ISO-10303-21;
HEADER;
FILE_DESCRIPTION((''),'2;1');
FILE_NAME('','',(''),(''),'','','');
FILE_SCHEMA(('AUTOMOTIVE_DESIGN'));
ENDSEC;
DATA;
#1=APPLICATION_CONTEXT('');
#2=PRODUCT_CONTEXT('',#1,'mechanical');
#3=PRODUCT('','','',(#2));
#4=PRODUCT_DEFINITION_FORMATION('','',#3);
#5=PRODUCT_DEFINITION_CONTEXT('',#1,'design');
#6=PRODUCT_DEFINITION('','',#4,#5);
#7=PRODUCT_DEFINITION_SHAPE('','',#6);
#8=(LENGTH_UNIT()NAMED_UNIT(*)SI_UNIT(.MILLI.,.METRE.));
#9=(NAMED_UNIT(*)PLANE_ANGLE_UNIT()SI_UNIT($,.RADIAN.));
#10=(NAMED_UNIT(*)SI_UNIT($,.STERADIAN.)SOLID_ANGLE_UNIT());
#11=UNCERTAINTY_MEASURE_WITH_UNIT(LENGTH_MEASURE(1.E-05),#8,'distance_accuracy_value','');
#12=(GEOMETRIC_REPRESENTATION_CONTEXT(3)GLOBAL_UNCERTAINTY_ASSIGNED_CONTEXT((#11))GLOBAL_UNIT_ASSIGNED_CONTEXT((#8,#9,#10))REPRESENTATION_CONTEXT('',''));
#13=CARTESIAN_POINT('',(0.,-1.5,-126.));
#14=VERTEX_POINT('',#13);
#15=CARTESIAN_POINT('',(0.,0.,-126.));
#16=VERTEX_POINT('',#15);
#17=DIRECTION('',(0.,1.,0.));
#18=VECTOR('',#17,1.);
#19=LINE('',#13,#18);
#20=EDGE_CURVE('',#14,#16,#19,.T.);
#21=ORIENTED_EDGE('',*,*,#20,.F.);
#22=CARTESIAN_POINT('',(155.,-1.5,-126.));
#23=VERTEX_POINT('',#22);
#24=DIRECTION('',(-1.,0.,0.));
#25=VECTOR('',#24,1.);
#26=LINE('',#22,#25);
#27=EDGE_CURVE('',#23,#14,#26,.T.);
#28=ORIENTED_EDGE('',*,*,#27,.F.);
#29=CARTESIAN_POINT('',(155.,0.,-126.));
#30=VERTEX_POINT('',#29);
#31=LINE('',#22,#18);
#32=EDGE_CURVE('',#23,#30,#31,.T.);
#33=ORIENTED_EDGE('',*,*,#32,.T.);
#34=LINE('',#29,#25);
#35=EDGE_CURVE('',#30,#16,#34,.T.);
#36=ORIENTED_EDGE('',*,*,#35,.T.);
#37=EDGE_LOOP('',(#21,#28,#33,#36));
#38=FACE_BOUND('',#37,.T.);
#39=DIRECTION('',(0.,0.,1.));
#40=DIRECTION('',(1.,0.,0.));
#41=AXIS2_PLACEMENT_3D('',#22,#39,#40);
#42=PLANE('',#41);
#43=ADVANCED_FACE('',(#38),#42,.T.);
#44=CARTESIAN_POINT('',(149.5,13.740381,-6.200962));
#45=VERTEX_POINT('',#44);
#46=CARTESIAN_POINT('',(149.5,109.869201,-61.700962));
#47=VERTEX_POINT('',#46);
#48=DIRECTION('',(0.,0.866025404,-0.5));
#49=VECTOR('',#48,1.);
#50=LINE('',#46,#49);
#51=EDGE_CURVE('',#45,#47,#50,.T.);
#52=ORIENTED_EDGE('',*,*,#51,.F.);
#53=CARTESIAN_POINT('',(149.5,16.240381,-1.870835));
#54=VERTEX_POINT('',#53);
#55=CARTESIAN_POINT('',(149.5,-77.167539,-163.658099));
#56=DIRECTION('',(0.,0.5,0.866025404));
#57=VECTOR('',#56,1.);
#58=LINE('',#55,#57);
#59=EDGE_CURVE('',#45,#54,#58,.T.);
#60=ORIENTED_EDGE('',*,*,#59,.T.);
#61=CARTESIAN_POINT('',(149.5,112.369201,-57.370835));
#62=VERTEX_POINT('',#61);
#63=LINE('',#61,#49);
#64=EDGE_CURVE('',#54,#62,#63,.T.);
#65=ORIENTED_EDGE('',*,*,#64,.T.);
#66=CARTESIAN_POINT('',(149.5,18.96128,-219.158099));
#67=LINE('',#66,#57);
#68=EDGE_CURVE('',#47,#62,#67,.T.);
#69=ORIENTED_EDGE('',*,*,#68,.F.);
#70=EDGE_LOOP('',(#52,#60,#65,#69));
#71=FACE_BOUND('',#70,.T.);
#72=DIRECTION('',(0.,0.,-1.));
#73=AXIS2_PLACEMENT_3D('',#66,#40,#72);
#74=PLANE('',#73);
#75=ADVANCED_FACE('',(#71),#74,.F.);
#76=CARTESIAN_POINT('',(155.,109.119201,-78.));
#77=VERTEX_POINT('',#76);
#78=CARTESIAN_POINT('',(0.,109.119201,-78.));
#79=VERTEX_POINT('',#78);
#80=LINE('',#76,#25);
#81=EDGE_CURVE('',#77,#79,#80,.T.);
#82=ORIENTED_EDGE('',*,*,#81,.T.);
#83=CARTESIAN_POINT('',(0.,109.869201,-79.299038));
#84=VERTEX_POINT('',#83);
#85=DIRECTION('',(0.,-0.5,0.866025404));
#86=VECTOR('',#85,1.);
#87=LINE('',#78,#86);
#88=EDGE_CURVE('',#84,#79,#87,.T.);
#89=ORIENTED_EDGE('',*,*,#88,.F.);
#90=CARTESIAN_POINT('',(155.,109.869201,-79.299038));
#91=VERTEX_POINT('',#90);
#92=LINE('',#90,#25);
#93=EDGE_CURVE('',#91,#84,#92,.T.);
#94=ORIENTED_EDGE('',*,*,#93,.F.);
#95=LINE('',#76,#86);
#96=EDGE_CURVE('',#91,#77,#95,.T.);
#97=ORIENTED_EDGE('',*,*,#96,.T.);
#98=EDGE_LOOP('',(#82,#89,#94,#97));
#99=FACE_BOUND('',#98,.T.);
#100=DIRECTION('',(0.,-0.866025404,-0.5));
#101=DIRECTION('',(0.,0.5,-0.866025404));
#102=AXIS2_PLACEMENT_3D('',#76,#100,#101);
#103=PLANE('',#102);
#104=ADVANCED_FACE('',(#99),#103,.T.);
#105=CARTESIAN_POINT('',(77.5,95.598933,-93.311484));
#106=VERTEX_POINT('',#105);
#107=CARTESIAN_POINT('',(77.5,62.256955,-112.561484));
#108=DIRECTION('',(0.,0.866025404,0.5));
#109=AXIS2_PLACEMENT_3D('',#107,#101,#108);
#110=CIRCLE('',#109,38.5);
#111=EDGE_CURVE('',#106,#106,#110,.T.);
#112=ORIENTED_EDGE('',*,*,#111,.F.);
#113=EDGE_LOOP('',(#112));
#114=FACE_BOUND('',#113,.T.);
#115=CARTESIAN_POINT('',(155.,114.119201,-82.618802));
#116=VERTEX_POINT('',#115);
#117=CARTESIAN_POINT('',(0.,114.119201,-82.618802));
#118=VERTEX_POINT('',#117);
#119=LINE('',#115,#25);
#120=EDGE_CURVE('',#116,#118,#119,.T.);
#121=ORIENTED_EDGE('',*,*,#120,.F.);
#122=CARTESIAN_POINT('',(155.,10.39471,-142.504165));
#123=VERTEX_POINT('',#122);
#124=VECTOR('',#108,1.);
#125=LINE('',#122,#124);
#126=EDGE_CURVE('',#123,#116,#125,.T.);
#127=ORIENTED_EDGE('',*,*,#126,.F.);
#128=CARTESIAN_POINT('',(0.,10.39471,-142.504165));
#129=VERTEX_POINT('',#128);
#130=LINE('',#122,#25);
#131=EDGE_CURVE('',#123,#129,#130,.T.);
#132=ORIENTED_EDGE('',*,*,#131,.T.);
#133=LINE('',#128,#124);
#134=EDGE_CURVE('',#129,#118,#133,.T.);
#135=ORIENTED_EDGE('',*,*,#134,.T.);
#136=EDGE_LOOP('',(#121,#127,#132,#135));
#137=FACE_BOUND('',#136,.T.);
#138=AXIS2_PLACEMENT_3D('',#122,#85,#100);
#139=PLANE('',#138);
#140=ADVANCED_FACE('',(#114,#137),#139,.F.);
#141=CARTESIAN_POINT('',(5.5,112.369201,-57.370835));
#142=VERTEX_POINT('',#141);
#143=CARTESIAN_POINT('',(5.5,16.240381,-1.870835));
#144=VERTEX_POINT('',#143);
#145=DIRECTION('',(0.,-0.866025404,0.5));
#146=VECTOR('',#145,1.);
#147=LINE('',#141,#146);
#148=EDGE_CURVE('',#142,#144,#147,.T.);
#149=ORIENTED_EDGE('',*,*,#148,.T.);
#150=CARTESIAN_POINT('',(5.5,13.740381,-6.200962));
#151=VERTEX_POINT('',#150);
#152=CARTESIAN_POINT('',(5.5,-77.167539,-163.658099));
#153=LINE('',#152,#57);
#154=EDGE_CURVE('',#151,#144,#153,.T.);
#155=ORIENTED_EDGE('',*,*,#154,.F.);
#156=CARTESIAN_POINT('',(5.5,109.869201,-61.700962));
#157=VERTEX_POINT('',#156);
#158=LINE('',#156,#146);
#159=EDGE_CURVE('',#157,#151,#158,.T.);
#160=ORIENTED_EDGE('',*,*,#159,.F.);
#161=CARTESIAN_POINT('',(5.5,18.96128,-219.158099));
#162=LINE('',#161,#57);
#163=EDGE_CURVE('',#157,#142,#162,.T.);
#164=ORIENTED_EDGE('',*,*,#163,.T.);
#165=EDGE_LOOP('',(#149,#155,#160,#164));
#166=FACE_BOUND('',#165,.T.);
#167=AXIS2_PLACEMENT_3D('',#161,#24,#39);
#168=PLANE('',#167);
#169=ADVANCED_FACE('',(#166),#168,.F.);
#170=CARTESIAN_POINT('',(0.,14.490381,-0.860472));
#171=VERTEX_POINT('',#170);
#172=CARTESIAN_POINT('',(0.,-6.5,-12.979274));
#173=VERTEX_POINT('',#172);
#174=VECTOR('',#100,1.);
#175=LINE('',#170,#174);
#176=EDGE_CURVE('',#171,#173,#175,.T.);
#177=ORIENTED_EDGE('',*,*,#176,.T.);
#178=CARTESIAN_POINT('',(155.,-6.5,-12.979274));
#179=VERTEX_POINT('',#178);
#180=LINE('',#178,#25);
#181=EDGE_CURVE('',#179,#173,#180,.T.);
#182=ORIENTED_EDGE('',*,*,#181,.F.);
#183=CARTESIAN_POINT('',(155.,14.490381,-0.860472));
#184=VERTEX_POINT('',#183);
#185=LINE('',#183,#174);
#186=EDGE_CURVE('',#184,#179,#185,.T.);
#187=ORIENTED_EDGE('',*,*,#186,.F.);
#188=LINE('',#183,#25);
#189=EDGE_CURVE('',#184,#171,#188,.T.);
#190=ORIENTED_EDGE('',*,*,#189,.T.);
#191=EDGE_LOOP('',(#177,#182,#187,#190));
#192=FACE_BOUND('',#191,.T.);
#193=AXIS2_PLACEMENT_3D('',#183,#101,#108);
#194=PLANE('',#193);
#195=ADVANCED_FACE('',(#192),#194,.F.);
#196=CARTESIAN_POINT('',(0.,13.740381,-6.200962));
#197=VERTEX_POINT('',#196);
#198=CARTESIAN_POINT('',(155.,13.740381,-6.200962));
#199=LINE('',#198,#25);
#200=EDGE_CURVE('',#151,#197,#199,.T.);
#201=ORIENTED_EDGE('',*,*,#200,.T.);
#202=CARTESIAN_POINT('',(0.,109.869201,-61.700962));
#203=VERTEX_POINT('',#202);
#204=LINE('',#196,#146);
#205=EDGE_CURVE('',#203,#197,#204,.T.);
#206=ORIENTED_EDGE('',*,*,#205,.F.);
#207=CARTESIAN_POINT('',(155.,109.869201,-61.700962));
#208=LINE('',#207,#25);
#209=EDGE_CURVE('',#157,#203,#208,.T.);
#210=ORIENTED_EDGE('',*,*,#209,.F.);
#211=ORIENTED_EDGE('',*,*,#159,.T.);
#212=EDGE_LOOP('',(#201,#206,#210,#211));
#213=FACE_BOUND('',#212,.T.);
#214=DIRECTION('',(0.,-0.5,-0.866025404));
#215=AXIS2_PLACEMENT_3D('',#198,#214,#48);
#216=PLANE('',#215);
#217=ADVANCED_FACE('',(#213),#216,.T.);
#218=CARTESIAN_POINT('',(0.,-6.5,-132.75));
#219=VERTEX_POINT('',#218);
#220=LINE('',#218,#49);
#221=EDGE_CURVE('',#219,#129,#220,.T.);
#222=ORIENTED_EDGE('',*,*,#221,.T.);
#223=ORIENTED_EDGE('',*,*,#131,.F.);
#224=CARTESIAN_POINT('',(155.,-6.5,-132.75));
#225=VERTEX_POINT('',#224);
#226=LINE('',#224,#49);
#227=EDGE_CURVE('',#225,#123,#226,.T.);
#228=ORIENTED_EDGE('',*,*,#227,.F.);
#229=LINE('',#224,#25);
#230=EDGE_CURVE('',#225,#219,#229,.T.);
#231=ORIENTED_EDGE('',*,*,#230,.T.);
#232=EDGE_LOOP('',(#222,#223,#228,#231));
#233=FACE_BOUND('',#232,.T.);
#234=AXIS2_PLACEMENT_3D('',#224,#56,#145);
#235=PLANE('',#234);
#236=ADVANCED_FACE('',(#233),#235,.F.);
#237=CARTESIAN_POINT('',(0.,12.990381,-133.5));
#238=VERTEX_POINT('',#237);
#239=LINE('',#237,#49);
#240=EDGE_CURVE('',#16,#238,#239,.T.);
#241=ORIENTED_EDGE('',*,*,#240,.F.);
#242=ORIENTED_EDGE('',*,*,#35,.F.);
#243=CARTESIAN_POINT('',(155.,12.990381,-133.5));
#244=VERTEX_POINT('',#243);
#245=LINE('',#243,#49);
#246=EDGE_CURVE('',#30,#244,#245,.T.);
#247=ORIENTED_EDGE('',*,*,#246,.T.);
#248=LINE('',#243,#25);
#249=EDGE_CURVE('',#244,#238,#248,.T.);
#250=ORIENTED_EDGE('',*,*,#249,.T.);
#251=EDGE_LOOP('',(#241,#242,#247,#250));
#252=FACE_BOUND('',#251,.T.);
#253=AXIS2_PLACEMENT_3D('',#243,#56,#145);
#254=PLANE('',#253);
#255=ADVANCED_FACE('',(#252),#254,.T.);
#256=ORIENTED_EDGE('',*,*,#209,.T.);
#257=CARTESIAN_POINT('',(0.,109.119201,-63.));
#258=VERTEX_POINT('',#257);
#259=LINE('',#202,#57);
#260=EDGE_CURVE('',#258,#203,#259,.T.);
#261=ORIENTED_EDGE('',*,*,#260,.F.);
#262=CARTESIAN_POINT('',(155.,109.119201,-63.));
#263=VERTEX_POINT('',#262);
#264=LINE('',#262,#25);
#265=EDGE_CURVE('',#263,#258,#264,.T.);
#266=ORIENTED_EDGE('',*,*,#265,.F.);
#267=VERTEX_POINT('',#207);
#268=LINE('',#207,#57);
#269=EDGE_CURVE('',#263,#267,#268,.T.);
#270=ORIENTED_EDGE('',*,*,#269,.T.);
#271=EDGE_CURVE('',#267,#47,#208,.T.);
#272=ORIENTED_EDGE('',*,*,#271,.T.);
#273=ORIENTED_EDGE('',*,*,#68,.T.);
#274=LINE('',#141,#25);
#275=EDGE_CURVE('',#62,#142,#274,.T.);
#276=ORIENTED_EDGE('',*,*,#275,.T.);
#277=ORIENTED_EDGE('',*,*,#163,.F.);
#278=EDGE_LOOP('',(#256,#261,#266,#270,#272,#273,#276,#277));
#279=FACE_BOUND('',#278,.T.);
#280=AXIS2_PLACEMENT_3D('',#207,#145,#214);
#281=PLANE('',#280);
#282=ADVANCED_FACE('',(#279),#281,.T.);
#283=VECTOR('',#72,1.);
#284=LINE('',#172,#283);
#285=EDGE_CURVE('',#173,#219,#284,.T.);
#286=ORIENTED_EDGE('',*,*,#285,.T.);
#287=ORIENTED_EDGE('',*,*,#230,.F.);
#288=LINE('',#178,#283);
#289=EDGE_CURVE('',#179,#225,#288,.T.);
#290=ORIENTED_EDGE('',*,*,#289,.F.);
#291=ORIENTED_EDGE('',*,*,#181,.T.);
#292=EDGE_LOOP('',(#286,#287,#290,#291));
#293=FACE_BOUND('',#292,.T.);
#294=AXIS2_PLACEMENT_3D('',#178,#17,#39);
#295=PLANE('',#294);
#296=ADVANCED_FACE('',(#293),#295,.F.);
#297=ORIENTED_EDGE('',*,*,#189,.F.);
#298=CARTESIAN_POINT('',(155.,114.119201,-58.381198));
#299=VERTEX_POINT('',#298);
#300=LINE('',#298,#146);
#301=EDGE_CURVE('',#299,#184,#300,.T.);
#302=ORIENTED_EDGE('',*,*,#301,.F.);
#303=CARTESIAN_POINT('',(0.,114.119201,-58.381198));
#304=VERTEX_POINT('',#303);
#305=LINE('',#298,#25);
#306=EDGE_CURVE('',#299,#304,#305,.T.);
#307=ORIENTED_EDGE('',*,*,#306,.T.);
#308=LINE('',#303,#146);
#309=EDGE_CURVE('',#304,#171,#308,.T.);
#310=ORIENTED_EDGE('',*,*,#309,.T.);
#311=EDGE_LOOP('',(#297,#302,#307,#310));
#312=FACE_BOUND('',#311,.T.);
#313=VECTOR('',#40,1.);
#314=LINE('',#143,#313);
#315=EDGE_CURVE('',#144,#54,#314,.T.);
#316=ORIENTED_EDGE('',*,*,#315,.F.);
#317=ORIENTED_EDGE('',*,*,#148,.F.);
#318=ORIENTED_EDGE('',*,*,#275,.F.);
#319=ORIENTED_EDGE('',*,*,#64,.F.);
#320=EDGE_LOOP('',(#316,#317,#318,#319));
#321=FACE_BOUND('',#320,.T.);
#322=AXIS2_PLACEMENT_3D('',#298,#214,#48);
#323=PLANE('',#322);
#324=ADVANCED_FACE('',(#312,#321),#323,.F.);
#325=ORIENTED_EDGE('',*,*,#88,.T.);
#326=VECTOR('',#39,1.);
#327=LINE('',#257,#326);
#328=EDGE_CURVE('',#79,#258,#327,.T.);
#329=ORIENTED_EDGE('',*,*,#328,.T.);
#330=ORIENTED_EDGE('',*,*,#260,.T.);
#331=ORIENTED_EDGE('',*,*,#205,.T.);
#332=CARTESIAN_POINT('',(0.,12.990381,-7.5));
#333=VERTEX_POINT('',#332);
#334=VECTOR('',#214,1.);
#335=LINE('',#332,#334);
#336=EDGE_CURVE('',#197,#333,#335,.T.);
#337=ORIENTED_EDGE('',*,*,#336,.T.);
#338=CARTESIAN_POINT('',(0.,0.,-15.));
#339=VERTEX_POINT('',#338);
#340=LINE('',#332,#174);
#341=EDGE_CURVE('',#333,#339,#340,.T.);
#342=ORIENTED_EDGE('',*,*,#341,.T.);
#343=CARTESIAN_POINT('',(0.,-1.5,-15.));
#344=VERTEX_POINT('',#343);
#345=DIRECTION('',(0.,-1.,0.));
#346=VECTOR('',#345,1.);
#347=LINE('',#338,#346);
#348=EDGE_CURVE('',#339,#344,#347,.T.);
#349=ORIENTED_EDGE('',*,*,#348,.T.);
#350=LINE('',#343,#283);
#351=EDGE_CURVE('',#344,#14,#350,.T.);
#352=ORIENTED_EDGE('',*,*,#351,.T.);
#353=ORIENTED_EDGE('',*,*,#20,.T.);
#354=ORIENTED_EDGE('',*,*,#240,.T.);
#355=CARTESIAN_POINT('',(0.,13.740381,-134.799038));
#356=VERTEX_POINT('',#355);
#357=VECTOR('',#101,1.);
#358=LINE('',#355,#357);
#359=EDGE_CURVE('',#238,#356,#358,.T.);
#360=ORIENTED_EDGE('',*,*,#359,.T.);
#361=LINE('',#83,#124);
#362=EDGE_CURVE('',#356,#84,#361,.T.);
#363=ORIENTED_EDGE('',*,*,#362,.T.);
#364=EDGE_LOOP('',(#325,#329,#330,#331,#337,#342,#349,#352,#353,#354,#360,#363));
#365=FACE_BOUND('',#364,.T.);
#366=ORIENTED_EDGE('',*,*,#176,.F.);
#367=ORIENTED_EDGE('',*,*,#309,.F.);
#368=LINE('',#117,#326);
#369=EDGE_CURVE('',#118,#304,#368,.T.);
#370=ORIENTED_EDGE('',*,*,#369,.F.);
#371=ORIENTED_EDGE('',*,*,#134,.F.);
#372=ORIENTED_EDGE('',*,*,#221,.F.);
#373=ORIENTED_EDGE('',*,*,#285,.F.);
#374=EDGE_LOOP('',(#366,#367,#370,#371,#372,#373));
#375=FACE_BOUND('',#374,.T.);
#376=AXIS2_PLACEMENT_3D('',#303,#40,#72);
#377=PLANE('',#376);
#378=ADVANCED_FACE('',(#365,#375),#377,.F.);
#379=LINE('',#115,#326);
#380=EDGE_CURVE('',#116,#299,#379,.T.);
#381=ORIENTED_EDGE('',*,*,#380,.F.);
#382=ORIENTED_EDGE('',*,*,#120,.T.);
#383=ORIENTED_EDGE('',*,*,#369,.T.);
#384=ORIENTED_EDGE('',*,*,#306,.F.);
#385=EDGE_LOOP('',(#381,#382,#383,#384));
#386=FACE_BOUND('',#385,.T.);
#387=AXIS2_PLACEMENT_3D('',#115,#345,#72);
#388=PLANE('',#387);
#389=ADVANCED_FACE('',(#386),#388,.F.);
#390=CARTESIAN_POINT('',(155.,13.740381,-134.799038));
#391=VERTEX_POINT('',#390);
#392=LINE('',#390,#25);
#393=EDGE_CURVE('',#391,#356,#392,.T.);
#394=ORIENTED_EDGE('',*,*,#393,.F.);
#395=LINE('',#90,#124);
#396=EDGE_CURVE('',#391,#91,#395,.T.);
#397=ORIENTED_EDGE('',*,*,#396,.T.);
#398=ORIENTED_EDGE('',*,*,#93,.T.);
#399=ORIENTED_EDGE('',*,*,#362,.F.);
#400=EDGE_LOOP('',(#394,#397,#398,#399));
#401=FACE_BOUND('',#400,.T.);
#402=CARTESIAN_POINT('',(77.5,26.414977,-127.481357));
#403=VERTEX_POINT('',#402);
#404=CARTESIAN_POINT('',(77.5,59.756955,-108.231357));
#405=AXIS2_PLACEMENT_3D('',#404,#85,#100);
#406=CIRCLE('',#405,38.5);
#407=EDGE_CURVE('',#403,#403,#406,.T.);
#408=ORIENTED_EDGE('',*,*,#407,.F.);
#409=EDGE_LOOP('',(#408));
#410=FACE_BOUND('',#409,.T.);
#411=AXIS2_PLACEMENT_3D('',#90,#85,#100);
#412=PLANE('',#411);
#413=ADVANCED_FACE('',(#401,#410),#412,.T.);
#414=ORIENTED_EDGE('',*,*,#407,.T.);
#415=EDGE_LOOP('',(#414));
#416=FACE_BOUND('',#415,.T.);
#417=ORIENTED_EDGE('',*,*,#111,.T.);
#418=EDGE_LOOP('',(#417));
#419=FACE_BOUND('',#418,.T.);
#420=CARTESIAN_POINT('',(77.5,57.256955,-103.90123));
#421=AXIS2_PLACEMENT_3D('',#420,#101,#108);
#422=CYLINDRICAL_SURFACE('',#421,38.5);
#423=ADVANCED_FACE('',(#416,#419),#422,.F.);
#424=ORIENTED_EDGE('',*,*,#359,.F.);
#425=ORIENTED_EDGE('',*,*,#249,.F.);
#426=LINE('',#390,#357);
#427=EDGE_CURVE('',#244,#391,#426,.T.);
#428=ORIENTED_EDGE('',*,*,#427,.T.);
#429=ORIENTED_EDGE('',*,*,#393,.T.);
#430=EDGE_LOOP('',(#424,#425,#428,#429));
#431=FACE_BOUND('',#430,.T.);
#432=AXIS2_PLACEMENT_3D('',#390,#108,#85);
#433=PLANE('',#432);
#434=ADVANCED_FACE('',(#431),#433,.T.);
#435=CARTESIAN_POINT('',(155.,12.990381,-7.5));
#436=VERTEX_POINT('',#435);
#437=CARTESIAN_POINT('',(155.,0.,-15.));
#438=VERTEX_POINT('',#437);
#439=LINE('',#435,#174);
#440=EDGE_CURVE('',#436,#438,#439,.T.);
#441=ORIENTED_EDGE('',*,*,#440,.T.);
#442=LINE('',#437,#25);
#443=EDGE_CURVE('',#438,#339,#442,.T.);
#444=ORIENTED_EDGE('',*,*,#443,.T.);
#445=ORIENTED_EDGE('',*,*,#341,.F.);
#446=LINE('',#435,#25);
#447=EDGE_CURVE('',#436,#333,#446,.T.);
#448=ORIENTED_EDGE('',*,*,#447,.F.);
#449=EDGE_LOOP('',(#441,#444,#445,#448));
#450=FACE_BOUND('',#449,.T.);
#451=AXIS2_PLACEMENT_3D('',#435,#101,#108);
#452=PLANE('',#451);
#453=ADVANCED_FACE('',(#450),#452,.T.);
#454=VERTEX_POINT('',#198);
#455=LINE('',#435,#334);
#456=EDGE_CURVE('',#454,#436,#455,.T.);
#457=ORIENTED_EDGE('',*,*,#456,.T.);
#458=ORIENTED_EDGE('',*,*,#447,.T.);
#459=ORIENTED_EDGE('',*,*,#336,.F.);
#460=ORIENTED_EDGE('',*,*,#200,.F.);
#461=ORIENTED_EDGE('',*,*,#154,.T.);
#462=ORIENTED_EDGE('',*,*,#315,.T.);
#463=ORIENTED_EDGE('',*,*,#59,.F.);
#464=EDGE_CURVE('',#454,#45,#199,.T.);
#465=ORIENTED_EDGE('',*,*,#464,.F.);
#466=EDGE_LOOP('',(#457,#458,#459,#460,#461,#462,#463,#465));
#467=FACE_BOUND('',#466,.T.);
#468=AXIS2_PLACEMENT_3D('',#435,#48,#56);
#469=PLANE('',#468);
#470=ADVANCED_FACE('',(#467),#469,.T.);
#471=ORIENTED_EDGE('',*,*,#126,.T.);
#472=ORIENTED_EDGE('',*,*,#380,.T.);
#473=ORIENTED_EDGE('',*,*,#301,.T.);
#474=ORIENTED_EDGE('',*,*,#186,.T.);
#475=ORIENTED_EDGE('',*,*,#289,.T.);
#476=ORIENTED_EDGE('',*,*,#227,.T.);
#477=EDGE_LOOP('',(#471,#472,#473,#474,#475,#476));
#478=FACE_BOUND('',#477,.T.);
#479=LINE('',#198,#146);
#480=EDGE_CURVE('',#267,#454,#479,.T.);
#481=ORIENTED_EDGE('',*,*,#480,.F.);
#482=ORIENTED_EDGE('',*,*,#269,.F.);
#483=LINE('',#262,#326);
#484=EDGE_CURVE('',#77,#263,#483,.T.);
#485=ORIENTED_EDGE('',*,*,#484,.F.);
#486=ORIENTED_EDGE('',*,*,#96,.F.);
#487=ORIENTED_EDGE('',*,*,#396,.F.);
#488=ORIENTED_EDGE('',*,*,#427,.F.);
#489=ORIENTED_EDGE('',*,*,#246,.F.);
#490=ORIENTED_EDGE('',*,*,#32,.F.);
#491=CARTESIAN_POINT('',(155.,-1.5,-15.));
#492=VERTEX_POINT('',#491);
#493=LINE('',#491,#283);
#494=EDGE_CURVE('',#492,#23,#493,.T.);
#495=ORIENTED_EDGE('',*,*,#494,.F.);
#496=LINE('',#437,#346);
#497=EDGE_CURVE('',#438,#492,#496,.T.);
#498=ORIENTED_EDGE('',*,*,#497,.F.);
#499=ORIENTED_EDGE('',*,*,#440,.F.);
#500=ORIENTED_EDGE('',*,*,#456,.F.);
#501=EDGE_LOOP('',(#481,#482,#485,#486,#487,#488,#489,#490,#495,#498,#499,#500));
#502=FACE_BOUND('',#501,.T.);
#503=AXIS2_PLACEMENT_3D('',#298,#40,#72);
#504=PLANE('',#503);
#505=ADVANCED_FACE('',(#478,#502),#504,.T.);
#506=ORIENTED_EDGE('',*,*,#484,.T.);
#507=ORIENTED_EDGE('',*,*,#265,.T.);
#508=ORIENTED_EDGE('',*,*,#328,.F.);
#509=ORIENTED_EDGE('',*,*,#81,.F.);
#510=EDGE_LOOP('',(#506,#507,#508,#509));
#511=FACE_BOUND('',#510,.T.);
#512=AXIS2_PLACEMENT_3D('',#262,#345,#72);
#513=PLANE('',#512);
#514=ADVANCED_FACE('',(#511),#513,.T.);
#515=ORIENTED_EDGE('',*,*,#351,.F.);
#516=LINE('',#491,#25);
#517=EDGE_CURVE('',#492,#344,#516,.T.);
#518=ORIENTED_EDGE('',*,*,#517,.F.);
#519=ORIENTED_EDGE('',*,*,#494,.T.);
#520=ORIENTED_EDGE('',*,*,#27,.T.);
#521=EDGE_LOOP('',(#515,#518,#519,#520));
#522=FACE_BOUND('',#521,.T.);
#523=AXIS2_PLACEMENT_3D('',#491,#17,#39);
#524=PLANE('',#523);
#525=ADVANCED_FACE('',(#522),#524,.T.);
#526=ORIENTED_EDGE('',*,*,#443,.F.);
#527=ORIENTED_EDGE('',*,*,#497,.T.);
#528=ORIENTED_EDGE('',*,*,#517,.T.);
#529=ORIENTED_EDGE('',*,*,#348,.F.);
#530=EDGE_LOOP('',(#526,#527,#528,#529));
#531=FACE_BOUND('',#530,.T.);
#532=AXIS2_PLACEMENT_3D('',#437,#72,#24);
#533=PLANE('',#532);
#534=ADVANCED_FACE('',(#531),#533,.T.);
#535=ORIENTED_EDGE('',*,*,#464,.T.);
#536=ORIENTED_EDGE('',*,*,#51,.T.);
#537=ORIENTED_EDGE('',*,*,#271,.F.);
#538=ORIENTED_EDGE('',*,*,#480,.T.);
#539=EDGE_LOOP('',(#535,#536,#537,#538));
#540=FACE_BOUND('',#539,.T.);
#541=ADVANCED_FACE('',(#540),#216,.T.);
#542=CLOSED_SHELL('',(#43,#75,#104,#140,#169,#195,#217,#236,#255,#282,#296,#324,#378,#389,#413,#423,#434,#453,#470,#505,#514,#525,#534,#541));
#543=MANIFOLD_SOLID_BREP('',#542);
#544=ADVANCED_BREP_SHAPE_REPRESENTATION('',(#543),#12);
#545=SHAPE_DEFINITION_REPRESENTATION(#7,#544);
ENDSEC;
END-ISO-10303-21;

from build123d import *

# Parameters (mm, degrees)
BOSS_EXTRUDE1_DEPTH = 155
SKETCH4_W           = 144
SKETCH4_H           = 111
CUT_EXTRUDE1_DEPTH  = 5
SKETCH5_R           = 38.5
CUT_EXTRUDE2_DEPTH  = 10


with BuildPart() as part:
    # Sketch3 → Boss-Extrude1 (new body)
    with BuildSketch(Plane(origin=(0, 0, 0), x_dir=(0, 0, -1), z_dir=(1, 0, 0))):
        Polygon((58.381197846, 114.119200877), (0.860471904, 14.490381057), (12.979274058, -6.5), (132.75, -6.5), (142.504165125, 10.394709581), (82.618802154, 114.119200877), align=None)
        Polygon((7.5, 12.990381057), (15, 0), (15, -1.5), (126, -1.5), (126, 0), (133.5, 12.990381057), (134.799038106, 13.740381057), (79.299038106, 109.869200877), (78, 109.119200877), (63, 109.119200877), (61.700961894, 109.869200877), (6.200961894, 13.740381057), align=None, mode=Mode.SUBTRACT)
    extrude(amount=BOSS_EXTRUDE1_DEPTH)

    # Sketch4 → Cut-Extrude1 (cut)
    with BuildSketch(Plane(origin=(0, 3.25, 5.629165125), x_dir=(1, 0, 0), z_dir=(0, 0.4999999999999995, 0.8660254037844389))):
        with Locations((77.5, 70.5)):
            Rectangle(SKETCH4_W, SKETCH4_H)
    extrude(amount=-CUT_EXTRUDE1_DEPTH, mode=Mode.SUBTRACT)

    # Sketch5 → Cut-Extrude2 (cut)
    with BuildSketch(Plane(origin=(0, 64.304790967, -111.379165125), x_dir=(-1, 0, 0), z_dir=(0, 0.5000000000000006, -0.8660254037844385))):
        with Locations(Location((-77.5, -2.364637029, 0), (0, 0, 90))):
            Circle(SKETCH5_R)
    extrude(amount=-CUT_EXTRUDE2_DEPTH, mode=Mode.SUBTRACT)


solid = part.part
